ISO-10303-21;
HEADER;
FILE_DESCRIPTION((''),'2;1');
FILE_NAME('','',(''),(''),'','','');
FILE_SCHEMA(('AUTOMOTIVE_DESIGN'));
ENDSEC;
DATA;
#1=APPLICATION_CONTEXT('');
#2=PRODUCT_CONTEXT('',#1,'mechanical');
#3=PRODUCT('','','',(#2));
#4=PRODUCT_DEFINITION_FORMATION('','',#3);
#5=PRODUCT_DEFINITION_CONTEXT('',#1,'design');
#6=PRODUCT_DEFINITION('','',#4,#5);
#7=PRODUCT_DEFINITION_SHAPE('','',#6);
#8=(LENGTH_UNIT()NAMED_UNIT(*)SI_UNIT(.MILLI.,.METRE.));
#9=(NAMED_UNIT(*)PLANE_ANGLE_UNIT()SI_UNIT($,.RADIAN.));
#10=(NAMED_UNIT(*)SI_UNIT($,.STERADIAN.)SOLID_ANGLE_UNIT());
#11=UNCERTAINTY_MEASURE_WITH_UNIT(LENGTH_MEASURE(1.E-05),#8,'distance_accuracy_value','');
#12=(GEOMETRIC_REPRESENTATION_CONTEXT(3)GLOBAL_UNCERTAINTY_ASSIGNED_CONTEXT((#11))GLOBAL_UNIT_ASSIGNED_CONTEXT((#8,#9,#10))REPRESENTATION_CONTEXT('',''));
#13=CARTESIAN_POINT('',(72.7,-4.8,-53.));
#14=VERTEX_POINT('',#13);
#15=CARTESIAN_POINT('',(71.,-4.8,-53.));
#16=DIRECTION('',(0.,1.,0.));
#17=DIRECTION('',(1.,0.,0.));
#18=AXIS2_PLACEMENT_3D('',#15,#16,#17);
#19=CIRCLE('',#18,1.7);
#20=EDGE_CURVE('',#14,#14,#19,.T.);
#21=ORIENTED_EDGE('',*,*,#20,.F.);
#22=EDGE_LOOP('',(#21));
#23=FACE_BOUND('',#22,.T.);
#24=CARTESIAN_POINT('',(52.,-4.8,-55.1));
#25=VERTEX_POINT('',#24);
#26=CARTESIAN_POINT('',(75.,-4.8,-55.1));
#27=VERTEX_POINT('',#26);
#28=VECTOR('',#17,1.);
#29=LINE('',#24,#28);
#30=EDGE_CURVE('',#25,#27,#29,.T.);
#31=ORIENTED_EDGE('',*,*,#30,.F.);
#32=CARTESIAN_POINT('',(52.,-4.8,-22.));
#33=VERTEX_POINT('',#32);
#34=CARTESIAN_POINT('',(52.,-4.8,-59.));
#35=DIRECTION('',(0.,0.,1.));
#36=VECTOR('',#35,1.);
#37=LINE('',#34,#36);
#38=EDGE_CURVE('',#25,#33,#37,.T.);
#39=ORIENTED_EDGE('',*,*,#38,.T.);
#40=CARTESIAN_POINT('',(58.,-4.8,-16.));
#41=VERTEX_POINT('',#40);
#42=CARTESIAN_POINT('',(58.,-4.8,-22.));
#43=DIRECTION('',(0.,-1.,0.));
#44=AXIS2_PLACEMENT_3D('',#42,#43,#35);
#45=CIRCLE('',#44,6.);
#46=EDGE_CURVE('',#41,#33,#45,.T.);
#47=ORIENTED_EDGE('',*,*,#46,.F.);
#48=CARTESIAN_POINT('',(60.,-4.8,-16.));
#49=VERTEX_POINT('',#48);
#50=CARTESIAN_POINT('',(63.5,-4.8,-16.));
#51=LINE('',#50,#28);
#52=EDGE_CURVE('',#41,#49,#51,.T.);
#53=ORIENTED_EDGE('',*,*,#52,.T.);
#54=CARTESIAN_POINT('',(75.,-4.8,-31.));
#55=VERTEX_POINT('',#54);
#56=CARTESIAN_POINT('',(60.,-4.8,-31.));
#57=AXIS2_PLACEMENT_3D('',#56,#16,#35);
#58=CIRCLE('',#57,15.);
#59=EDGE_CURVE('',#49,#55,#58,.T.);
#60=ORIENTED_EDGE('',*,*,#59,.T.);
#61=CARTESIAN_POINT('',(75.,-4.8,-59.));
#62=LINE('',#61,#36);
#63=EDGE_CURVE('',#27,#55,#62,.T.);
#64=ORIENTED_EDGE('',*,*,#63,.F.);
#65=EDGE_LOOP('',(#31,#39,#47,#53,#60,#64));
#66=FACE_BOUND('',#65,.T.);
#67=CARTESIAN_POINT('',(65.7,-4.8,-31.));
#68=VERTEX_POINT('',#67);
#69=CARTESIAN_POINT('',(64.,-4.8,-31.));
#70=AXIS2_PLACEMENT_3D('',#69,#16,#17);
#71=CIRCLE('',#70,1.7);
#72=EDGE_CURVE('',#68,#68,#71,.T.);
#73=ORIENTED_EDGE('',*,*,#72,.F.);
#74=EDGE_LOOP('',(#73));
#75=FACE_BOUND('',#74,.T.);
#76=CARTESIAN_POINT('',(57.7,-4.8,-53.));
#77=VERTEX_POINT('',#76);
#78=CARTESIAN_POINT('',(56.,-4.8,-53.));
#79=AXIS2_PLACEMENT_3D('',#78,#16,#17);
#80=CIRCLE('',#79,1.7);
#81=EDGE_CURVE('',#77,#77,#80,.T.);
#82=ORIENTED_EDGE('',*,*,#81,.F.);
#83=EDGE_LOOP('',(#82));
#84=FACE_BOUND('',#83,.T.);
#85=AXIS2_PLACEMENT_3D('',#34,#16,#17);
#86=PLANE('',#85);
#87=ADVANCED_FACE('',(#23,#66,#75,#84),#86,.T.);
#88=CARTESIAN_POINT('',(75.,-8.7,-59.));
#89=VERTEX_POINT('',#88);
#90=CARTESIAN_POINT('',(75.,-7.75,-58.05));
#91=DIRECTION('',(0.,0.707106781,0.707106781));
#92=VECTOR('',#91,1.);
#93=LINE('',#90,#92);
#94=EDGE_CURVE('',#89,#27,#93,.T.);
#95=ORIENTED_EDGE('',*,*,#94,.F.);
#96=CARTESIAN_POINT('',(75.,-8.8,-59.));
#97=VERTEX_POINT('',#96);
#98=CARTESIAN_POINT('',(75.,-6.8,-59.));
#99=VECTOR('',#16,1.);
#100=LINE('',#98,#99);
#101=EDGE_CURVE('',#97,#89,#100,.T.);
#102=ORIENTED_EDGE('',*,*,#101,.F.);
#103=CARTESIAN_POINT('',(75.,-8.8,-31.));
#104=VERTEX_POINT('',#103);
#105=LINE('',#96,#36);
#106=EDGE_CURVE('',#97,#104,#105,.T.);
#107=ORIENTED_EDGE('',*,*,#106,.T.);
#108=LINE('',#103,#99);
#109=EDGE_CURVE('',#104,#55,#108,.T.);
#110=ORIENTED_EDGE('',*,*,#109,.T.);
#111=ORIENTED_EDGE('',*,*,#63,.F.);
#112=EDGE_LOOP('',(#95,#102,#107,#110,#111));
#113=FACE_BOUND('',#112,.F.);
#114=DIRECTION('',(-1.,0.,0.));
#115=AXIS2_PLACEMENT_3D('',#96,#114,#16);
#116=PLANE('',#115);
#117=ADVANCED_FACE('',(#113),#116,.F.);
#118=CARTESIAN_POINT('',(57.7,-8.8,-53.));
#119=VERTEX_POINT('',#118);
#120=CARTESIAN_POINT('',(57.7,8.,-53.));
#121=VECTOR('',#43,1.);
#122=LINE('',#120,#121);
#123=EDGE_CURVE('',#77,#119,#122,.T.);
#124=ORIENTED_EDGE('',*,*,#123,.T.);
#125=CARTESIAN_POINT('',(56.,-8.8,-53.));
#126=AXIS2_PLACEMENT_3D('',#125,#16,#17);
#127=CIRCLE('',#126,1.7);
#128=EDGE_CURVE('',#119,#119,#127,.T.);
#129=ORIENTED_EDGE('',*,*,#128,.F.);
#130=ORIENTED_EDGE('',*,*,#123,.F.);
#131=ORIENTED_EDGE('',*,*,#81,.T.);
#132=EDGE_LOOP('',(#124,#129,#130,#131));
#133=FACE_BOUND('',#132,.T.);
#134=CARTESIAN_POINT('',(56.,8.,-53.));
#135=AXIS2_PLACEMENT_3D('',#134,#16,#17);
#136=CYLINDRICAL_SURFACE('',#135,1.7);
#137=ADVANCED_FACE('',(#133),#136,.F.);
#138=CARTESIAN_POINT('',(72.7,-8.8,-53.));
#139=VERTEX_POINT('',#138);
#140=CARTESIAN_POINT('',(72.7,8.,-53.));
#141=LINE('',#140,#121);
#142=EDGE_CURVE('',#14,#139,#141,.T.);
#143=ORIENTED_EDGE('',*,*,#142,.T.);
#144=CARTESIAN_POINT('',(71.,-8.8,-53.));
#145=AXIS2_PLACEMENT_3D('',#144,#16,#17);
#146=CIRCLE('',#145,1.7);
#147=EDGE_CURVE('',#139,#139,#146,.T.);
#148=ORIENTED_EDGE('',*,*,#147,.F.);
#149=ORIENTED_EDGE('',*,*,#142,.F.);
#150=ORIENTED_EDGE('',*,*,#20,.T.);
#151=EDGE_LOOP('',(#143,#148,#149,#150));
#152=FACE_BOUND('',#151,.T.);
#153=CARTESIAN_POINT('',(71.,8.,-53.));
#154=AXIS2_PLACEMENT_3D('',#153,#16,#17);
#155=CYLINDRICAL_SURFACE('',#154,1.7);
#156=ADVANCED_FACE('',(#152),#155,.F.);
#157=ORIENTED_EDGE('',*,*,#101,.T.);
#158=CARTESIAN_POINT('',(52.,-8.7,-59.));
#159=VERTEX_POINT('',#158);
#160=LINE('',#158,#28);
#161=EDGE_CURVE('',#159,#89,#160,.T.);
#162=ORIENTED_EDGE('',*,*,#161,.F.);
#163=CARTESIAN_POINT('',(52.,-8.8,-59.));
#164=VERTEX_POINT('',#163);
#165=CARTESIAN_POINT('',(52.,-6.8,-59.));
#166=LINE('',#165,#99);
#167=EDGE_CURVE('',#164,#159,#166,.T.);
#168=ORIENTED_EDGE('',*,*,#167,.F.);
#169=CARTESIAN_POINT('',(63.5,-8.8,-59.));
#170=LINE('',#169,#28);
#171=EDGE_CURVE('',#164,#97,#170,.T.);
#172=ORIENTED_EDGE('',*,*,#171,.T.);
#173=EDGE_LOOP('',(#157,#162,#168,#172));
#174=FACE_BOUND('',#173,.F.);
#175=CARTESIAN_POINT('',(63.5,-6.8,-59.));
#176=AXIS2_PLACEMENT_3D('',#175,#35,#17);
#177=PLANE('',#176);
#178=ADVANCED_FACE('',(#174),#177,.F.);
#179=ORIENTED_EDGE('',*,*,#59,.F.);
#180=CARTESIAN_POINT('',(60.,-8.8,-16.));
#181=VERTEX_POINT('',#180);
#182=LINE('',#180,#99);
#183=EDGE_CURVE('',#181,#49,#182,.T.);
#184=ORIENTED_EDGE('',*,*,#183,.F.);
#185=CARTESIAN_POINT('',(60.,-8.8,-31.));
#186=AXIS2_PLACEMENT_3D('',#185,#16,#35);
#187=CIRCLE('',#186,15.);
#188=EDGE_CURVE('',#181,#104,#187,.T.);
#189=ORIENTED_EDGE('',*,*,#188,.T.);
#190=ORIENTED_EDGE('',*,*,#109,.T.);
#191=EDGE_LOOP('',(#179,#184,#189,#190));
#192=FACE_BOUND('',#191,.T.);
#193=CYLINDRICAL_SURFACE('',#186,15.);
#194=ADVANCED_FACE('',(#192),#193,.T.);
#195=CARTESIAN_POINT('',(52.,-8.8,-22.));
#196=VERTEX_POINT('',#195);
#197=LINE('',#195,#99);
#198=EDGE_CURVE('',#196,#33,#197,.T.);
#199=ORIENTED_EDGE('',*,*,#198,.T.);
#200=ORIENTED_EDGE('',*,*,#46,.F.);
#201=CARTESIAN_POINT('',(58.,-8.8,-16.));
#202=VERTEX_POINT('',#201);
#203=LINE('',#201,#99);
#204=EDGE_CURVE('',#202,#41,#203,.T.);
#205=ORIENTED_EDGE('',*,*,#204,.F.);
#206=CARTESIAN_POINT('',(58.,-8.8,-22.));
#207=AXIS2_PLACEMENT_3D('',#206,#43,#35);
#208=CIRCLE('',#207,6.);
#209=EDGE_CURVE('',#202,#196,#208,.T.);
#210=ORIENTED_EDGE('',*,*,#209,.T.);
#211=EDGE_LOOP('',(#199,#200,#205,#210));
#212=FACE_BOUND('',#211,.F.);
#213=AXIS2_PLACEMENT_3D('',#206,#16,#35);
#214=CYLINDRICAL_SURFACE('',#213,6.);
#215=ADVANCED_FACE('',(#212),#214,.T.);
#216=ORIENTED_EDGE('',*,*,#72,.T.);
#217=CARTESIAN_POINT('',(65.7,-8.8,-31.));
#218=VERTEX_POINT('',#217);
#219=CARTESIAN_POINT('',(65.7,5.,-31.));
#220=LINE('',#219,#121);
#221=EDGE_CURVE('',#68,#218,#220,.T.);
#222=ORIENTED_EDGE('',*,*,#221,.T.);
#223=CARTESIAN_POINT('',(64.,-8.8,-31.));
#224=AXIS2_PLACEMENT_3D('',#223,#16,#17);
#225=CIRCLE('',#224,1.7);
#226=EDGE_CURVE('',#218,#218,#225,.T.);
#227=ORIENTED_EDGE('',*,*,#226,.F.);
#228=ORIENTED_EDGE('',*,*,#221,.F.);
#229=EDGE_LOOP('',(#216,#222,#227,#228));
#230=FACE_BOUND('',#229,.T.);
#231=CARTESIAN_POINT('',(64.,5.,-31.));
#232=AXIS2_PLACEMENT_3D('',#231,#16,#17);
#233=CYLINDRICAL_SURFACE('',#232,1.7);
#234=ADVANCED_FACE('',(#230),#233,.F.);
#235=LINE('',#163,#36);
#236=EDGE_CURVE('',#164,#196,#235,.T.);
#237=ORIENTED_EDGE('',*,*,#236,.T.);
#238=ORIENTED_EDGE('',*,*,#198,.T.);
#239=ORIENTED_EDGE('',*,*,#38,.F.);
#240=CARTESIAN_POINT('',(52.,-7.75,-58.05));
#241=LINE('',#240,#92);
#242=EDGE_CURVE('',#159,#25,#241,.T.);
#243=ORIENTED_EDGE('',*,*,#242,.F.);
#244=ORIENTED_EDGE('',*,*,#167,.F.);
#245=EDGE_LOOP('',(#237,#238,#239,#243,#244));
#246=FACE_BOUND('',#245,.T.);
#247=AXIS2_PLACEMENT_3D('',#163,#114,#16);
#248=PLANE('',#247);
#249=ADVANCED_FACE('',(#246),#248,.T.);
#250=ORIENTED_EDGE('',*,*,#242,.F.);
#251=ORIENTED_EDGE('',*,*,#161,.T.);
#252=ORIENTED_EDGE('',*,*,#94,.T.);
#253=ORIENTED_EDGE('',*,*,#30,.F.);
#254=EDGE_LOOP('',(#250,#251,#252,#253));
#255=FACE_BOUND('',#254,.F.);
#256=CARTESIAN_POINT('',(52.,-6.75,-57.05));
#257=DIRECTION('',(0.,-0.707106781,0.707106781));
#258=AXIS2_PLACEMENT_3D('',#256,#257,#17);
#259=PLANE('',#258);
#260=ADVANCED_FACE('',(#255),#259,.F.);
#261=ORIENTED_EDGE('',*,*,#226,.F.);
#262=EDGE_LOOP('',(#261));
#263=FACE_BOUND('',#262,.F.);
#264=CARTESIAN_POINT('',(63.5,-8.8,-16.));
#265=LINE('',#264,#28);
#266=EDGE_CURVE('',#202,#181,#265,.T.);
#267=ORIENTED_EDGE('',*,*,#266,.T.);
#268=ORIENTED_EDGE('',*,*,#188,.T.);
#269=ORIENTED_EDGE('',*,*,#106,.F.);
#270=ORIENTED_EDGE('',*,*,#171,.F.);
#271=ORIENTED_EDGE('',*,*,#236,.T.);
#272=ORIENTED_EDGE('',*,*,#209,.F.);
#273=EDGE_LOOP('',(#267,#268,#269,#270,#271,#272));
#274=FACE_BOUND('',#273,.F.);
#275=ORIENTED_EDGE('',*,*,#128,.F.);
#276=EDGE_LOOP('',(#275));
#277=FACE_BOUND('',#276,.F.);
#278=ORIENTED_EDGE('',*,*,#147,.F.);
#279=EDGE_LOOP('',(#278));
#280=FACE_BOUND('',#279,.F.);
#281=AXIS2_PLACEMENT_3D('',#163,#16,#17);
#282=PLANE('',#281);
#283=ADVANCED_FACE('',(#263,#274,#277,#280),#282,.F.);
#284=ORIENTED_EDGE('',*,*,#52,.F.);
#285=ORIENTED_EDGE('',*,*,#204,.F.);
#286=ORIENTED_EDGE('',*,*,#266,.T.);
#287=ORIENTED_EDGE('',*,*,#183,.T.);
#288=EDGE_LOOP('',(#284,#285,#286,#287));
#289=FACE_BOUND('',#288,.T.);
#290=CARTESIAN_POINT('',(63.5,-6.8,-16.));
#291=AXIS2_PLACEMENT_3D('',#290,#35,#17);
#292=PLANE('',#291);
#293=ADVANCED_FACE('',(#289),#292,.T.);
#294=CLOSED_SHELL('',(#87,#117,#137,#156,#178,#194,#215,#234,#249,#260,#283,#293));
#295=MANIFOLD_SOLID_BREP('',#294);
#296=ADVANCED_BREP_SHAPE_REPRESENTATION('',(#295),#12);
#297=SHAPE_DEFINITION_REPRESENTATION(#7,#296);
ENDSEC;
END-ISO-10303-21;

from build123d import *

# Parameters (mm, degrees)
CYLINDER223_R          = 1.7
CYLINDER223_DEPTH      = 21
CYLINDER223_ROLL_ANGLE = 90
CYLINDER201_R          = 1.7
CYLINDER201_DEPTH      = 20
CYLINDER201_ROLL_ANGLE = 90
CYLINDER200_R          = 1.7
CYLINDER200_DEPTH      = 20
CYLINDER200_ROLL_ANGLE = 90
BOX001027045147_W      = 23
BOX001027045147_H      = 4
BOX001027045147_DEPTH  = 43
FILLET034_R            = 15
FILLET038_R            = 6
CHAMFER028_SIZE        = 3.9


with BuildPart() as bearing_fit_cylinder003:
    # Cylinder223 → Cylinder223 (new body)
    with BuildSketch(Plane.XY):
        Circle(CYLINDER223_R)
    extrude(amount=CYLINDER223_DEPTH)


with BuildPart() as bearing_fit_cylinder003_1:
    # Cylinder223 roll: moved
    add(bearing_fit_cylinder003.part.rotate(Axis((0, 0, 0), (1, 0, 0)), CYLINDER223_ROLL_ANGLE))


with BuildPart() as bearing_fit_cylinder003_2:
    # Cylinder223 placement: moved
    add(bearing_fit_cylinder003_1.part.moved(Location((64, 5, -31))))


with BuildPart() as cylinder245:
    # Cylinder201 → Cylinder201 (new body)
    with BuildSketch(Plane.XY):
        Circle(CYLINDER201_R)
    extrude(amount=CYLINDER201_DEPTH)


with BuildPart() as cylinder245_1:
    # Cylinder201 roll: moved
    add(cylinder245.part.rotate(Axis((0, 0, 0), (1, 0, 0)), CYLINDER201_ROLL_ANGLE))


with BuildPart() as cylinder245_2:
    # Cylinder201 placement: moved
    add(cylinder245_1.part.moved(Location((71, 8, -54))))


with BuildPart() as fusion112101:
    # Cylinder200 → Cylinder200 (new body)
    with BuildSketch(Plane.XY):
        Circle(CYLINDER200_R)
    extrude(amount=CYLINDER200_DEPTH)


with BuildPart() as fusion112101_1:
    # Cylinder200 roll: moved
    add(fusion112101.part.rotate(Axis((0, 0, 0), (1, 0, 0)), CYLINDER200_ROLL_ANGLE))


with BuildPart() as fusion112101_2:
    # Cylinder200 placement: moved
    add(fusion112101_1.part.moved(Location((56, 8, -54))))

    # Fusion112101: union Cylinder245
    add(cylinder245_2.part)


with BuildPart() as fusion112101_3:
    # Fusion112101 placement: moved
    add(fusion112101_2.part.moved(Location((0, 0, 1))))


with BuildPart() as chamfer028:
    # Box001027045147 → Box001027045147 (new body)
    with BuildSketch(Plane(origin=(52, -8.8, -59), x_dir=(1, 0, 0), z_dir=(0, 0, 1))):
        with Locations((11.5, 2)):
            Rectangle(BOX001027045147_W, BOX001027045147_H)
    extrude(amount=BOX001027045147_DEPTH)

    # Cut177: cut Fusion112101
    add(fusion112101_3.part, mode=Mode.SUBTRACT)

    # Cut201: cut bearing-fit-cylinder003
    add(bearing_fit_cylinder003_2.part, mode=Mode.SUBTRACT)

    # Fillet034
    fillet034_edges = [chamfer028.edges().sort_by_distance(p)[0] for p in [
        (75, -6.8, -16),
    ]]
    fillet(fillet034_edges, radius=FILLET034_R)

    # Fillet038
    fillet038_edges = [chamfer028.edges().sort_by_distance(p)[0] for p in [
        (52, -6.8, -16),
    ]]
    fillet(fillet038_edges, radius=FILLET038_R)

    # Chamfer028
    chamfer028_edges = [chamfer028.edges().sort_by_distance(p)[0] for p in [
        (63.5, -4.8, -59),
    ]]
    chamfer(chamfer028_edges, length=CHAMFER028_SIZE)


solid = chamfer028.part
